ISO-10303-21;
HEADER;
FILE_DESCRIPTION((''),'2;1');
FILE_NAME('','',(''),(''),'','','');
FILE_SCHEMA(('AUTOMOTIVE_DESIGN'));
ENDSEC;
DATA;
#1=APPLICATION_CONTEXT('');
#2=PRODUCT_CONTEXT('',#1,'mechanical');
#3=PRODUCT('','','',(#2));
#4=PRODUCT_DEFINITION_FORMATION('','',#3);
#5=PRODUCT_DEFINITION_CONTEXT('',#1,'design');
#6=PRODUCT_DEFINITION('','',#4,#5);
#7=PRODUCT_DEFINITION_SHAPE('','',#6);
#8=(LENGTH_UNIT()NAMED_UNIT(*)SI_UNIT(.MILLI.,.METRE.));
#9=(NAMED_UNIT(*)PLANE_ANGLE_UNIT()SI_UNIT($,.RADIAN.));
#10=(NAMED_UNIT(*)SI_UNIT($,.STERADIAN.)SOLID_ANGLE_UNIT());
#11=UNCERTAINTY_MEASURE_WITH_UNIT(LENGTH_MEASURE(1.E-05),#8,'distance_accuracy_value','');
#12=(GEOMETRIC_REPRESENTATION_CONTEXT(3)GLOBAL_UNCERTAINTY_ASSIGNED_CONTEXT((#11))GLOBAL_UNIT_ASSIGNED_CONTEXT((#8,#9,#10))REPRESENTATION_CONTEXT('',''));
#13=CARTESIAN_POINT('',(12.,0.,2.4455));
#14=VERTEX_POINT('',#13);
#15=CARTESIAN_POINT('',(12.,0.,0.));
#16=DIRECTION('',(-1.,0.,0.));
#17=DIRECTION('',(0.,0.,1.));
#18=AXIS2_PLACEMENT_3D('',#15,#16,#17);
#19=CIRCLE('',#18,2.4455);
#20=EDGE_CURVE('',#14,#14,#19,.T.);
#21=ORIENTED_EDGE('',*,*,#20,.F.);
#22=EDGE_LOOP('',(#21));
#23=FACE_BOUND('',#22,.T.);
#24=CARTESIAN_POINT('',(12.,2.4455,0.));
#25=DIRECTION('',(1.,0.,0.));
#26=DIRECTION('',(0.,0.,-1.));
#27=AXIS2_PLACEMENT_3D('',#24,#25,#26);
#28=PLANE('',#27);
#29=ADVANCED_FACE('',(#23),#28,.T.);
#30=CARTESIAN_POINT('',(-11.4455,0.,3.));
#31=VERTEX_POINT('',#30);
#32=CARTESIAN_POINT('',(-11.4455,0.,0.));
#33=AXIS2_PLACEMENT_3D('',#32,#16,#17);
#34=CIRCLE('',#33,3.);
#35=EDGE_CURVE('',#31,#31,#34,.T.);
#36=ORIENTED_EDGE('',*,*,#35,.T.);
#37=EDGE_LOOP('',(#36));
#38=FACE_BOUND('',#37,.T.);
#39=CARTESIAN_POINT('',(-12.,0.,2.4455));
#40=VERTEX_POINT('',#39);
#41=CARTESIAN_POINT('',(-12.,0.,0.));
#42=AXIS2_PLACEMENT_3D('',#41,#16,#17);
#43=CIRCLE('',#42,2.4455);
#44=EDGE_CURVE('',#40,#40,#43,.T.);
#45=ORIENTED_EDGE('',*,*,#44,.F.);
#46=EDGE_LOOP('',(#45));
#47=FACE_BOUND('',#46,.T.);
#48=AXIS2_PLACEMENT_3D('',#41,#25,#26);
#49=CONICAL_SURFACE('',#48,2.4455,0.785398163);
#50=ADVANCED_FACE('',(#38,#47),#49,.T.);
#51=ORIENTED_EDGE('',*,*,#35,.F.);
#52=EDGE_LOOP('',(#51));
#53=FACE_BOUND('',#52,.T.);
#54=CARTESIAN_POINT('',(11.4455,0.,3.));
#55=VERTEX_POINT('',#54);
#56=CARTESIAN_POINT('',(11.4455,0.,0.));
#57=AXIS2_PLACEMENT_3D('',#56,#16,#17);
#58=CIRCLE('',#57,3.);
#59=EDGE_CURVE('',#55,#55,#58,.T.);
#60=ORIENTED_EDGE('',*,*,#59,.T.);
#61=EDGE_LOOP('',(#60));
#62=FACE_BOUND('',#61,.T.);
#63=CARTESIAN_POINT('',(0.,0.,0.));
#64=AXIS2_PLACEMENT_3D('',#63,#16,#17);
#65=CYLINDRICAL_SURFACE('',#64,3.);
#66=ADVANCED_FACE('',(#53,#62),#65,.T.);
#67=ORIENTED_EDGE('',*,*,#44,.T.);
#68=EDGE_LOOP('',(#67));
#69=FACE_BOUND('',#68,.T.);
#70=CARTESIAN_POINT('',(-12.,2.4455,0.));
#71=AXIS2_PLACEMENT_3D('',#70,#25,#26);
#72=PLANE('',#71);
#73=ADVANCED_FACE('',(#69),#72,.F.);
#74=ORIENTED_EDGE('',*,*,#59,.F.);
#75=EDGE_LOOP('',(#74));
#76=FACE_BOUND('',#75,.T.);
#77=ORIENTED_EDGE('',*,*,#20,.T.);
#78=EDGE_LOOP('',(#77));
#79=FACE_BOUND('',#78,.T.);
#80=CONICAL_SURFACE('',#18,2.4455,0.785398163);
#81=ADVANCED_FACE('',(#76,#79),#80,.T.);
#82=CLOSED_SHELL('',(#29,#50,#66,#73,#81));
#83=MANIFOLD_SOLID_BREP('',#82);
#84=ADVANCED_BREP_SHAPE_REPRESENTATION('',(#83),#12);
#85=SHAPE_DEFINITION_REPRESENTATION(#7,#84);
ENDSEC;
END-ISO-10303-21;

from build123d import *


with BuildPart() as part:
    # BodySke → BaseBody (revolve)
    with BuildSketch(Plane.XY):
        Polygon((-12, 2.4455), (-12, 0), (12, 0), (12, 2.4455), (11.4455, 3), (-11.4455, 3), align=None)
    revolve(axis=Axis((0, 0, 0), (1, 0, 0)))


solid = part.part
